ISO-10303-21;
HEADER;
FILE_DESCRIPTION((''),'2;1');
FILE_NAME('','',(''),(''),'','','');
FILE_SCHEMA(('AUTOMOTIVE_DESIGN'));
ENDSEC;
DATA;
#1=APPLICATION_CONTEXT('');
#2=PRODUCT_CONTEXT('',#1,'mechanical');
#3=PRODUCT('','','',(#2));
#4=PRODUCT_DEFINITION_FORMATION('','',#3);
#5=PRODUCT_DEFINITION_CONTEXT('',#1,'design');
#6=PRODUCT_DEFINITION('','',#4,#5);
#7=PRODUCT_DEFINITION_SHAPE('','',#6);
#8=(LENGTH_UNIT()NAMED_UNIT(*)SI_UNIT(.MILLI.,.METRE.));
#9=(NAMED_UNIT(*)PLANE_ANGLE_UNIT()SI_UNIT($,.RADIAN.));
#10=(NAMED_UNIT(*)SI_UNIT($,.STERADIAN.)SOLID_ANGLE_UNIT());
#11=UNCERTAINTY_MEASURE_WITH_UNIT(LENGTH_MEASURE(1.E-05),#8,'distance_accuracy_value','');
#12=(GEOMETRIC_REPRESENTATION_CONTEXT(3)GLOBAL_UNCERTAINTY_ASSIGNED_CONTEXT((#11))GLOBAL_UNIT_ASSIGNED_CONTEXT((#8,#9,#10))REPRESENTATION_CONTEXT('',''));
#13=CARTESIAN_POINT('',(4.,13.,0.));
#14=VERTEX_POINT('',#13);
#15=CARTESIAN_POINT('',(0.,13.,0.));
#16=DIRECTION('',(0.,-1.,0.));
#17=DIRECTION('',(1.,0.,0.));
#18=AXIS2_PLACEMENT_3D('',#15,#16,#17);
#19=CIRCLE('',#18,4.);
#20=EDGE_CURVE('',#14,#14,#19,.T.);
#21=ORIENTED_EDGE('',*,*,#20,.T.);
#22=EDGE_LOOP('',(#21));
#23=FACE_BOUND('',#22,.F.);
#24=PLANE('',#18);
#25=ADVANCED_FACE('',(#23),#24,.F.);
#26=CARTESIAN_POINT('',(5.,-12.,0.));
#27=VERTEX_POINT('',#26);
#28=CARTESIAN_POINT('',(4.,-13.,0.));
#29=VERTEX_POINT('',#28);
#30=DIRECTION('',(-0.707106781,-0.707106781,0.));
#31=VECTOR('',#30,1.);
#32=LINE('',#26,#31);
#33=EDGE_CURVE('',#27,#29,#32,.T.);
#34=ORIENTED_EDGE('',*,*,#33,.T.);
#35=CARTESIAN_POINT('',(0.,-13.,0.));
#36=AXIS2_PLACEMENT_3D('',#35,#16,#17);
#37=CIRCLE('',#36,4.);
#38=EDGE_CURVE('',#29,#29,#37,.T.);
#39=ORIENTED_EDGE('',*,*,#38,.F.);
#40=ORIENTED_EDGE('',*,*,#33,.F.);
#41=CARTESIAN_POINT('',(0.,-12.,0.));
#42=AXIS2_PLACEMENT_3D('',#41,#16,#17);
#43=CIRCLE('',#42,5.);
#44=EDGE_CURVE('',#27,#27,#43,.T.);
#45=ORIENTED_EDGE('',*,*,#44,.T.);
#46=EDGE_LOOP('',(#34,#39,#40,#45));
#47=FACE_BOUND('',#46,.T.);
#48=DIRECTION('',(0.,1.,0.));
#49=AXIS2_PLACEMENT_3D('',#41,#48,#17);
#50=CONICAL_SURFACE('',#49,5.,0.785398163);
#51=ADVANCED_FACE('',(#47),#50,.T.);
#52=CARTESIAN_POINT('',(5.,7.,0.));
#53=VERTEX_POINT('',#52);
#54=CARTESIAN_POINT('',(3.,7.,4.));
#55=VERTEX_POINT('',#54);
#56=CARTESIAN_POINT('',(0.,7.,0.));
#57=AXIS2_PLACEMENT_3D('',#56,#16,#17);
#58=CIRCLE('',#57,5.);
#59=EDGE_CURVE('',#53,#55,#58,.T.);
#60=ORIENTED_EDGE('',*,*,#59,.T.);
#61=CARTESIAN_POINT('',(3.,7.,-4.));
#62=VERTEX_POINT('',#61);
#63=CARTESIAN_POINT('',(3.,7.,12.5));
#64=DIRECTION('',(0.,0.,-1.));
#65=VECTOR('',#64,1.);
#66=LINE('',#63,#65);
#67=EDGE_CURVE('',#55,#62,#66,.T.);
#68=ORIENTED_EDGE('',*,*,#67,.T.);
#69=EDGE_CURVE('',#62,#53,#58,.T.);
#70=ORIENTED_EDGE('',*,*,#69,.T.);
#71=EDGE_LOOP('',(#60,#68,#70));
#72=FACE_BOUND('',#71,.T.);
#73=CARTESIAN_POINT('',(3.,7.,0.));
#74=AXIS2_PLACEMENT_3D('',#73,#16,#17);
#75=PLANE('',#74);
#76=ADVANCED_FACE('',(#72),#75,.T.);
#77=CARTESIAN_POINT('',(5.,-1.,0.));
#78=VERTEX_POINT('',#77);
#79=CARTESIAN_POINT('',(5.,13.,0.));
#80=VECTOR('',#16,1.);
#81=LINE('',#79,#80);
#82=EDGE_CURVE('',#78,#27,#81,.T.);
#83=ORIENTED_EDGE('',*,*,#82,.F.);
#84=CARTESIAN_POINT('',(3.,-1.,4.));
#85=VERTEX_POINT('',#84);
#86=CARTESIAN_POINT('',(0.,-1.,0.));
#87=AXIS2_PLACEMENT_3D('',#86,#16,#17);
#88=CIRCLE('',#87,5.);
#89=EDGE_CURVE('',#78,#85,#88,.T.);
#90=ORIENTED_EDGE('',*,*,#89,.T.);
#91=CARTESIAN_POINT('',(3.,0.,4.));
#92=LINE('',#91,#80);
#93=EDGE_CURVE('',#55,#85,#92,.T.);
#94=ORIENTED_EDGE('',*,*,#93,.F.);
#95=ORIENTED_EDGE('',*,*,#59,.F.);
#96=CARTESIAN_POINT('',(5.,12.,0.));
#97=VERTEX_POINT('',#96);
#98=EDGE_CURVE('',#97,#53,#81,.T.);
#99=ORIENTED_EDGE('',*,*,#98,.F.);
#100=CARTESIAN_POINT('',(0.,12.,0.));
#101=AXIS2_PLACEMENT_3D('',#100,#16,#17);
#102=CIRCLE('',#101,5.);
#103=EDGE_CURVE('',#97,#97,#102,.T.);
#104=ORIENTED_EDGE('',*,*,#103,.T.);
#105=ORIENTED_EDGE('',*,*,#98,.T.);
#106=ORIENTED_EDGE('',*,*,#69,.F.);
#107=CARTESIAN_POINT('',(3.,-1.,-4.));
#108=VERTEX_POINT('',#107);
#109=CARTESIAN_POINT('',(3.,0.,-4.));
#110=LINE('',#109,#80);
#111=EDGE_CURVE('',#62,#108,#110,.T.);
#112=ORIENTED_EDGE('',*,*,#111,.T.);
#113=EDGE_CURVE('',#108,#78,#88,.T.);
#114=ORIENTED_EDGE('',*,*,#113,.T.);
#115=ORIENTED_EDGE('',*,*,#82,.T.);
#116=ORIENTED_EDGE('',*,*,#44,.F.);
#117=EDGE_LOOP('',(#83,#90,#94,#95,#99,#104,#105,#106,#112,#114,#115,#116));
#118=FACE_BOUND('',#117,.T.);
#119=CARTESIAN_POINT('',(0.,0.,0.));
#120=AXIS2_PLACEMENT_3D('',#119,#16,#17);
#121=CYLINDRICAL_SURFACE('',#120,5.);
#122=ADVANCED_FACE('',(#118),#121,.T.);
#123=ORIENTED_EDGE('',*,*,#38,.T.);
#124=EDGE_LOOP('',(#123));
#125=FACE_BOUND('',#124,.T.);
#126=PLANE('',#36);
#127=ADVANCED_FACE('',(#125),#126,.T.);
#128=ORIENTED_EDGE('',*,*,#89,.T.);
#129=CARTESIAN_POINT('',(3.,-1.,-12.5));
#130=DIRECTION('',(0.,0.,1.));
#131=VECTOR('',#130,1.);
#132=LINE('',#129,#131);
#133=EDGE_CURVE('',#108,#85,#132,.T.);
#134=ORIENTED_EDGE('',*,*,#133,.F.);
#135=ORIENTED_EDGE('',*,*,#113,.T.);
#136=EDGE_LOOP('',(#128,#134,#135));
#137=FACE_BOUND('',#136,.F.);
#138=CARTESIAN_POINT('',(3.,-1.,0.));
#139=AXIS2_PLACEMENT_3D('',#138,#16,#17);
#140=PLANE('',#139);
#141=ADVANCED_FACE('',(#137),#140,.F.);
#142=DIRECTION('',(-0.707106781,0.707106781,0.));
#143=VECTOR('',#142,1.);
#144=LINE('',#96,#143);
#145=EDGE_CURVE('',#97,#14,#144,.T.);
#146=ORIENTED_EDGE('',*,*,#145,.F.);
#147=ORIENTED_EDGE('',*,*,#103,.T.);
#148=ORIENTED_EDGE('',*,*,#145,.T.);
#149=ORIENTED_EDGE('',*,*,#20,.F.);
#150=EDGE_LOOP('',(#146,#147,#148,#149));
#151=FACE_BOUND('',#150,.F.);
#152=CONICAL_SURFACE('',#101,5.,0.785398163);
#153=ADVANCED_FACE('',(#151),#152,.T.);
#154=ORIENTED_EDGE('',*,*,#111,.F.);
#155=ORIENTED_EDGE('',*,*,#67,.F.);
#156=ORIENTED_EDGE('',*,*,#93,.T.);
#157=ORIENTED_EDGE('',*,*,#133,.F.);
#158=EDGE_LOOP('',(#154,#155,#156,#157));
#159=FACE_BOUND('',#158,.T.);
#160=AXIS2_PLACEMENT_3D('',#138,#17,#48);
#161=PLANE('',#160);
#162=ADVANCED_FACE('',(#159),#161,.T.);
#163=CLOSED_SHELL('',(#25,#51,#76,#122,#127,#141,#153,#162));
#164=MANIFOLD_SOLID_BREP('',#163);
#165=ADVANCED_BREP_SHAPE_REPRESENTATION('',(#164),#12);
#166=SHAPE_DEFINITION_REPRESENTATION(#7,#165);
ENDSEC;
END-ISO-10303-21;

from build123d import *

# Parameters (mm, degrees)
F0_R     = 5
F1_DEPTH = 13
F2_SIZE  = 1
F3_W     = 2
F3_H     = 8
F4_DEPTH = 12.5


with BuildPart() as f1:
    # F0 (on Front) → F1 (new body, symmetric)
    with BuildSketch(Plane.XZ):
        Circle(F0_R)
    extrude(amount=F1_DEPTH, both=True)

    # F2
    f2_edges = [f1.edges().sort_by_distance(p)[0] for p in [
        (-5, -13, 0),
        (-5, 13, 0),
    ]]
    chamfer(f2_edges, length=F2_SIZE)

    # F3 (on Top) → F4 (cut, symmetric)
    with BuildSketch(Plane.XY):
        with Locations((4, 3)):
            Rectangle(F3_W, F3_H)
    extrude(amount=F4_DEPTH, both=True, mode=Mode.SUBTRACT)


solid = f1.part
